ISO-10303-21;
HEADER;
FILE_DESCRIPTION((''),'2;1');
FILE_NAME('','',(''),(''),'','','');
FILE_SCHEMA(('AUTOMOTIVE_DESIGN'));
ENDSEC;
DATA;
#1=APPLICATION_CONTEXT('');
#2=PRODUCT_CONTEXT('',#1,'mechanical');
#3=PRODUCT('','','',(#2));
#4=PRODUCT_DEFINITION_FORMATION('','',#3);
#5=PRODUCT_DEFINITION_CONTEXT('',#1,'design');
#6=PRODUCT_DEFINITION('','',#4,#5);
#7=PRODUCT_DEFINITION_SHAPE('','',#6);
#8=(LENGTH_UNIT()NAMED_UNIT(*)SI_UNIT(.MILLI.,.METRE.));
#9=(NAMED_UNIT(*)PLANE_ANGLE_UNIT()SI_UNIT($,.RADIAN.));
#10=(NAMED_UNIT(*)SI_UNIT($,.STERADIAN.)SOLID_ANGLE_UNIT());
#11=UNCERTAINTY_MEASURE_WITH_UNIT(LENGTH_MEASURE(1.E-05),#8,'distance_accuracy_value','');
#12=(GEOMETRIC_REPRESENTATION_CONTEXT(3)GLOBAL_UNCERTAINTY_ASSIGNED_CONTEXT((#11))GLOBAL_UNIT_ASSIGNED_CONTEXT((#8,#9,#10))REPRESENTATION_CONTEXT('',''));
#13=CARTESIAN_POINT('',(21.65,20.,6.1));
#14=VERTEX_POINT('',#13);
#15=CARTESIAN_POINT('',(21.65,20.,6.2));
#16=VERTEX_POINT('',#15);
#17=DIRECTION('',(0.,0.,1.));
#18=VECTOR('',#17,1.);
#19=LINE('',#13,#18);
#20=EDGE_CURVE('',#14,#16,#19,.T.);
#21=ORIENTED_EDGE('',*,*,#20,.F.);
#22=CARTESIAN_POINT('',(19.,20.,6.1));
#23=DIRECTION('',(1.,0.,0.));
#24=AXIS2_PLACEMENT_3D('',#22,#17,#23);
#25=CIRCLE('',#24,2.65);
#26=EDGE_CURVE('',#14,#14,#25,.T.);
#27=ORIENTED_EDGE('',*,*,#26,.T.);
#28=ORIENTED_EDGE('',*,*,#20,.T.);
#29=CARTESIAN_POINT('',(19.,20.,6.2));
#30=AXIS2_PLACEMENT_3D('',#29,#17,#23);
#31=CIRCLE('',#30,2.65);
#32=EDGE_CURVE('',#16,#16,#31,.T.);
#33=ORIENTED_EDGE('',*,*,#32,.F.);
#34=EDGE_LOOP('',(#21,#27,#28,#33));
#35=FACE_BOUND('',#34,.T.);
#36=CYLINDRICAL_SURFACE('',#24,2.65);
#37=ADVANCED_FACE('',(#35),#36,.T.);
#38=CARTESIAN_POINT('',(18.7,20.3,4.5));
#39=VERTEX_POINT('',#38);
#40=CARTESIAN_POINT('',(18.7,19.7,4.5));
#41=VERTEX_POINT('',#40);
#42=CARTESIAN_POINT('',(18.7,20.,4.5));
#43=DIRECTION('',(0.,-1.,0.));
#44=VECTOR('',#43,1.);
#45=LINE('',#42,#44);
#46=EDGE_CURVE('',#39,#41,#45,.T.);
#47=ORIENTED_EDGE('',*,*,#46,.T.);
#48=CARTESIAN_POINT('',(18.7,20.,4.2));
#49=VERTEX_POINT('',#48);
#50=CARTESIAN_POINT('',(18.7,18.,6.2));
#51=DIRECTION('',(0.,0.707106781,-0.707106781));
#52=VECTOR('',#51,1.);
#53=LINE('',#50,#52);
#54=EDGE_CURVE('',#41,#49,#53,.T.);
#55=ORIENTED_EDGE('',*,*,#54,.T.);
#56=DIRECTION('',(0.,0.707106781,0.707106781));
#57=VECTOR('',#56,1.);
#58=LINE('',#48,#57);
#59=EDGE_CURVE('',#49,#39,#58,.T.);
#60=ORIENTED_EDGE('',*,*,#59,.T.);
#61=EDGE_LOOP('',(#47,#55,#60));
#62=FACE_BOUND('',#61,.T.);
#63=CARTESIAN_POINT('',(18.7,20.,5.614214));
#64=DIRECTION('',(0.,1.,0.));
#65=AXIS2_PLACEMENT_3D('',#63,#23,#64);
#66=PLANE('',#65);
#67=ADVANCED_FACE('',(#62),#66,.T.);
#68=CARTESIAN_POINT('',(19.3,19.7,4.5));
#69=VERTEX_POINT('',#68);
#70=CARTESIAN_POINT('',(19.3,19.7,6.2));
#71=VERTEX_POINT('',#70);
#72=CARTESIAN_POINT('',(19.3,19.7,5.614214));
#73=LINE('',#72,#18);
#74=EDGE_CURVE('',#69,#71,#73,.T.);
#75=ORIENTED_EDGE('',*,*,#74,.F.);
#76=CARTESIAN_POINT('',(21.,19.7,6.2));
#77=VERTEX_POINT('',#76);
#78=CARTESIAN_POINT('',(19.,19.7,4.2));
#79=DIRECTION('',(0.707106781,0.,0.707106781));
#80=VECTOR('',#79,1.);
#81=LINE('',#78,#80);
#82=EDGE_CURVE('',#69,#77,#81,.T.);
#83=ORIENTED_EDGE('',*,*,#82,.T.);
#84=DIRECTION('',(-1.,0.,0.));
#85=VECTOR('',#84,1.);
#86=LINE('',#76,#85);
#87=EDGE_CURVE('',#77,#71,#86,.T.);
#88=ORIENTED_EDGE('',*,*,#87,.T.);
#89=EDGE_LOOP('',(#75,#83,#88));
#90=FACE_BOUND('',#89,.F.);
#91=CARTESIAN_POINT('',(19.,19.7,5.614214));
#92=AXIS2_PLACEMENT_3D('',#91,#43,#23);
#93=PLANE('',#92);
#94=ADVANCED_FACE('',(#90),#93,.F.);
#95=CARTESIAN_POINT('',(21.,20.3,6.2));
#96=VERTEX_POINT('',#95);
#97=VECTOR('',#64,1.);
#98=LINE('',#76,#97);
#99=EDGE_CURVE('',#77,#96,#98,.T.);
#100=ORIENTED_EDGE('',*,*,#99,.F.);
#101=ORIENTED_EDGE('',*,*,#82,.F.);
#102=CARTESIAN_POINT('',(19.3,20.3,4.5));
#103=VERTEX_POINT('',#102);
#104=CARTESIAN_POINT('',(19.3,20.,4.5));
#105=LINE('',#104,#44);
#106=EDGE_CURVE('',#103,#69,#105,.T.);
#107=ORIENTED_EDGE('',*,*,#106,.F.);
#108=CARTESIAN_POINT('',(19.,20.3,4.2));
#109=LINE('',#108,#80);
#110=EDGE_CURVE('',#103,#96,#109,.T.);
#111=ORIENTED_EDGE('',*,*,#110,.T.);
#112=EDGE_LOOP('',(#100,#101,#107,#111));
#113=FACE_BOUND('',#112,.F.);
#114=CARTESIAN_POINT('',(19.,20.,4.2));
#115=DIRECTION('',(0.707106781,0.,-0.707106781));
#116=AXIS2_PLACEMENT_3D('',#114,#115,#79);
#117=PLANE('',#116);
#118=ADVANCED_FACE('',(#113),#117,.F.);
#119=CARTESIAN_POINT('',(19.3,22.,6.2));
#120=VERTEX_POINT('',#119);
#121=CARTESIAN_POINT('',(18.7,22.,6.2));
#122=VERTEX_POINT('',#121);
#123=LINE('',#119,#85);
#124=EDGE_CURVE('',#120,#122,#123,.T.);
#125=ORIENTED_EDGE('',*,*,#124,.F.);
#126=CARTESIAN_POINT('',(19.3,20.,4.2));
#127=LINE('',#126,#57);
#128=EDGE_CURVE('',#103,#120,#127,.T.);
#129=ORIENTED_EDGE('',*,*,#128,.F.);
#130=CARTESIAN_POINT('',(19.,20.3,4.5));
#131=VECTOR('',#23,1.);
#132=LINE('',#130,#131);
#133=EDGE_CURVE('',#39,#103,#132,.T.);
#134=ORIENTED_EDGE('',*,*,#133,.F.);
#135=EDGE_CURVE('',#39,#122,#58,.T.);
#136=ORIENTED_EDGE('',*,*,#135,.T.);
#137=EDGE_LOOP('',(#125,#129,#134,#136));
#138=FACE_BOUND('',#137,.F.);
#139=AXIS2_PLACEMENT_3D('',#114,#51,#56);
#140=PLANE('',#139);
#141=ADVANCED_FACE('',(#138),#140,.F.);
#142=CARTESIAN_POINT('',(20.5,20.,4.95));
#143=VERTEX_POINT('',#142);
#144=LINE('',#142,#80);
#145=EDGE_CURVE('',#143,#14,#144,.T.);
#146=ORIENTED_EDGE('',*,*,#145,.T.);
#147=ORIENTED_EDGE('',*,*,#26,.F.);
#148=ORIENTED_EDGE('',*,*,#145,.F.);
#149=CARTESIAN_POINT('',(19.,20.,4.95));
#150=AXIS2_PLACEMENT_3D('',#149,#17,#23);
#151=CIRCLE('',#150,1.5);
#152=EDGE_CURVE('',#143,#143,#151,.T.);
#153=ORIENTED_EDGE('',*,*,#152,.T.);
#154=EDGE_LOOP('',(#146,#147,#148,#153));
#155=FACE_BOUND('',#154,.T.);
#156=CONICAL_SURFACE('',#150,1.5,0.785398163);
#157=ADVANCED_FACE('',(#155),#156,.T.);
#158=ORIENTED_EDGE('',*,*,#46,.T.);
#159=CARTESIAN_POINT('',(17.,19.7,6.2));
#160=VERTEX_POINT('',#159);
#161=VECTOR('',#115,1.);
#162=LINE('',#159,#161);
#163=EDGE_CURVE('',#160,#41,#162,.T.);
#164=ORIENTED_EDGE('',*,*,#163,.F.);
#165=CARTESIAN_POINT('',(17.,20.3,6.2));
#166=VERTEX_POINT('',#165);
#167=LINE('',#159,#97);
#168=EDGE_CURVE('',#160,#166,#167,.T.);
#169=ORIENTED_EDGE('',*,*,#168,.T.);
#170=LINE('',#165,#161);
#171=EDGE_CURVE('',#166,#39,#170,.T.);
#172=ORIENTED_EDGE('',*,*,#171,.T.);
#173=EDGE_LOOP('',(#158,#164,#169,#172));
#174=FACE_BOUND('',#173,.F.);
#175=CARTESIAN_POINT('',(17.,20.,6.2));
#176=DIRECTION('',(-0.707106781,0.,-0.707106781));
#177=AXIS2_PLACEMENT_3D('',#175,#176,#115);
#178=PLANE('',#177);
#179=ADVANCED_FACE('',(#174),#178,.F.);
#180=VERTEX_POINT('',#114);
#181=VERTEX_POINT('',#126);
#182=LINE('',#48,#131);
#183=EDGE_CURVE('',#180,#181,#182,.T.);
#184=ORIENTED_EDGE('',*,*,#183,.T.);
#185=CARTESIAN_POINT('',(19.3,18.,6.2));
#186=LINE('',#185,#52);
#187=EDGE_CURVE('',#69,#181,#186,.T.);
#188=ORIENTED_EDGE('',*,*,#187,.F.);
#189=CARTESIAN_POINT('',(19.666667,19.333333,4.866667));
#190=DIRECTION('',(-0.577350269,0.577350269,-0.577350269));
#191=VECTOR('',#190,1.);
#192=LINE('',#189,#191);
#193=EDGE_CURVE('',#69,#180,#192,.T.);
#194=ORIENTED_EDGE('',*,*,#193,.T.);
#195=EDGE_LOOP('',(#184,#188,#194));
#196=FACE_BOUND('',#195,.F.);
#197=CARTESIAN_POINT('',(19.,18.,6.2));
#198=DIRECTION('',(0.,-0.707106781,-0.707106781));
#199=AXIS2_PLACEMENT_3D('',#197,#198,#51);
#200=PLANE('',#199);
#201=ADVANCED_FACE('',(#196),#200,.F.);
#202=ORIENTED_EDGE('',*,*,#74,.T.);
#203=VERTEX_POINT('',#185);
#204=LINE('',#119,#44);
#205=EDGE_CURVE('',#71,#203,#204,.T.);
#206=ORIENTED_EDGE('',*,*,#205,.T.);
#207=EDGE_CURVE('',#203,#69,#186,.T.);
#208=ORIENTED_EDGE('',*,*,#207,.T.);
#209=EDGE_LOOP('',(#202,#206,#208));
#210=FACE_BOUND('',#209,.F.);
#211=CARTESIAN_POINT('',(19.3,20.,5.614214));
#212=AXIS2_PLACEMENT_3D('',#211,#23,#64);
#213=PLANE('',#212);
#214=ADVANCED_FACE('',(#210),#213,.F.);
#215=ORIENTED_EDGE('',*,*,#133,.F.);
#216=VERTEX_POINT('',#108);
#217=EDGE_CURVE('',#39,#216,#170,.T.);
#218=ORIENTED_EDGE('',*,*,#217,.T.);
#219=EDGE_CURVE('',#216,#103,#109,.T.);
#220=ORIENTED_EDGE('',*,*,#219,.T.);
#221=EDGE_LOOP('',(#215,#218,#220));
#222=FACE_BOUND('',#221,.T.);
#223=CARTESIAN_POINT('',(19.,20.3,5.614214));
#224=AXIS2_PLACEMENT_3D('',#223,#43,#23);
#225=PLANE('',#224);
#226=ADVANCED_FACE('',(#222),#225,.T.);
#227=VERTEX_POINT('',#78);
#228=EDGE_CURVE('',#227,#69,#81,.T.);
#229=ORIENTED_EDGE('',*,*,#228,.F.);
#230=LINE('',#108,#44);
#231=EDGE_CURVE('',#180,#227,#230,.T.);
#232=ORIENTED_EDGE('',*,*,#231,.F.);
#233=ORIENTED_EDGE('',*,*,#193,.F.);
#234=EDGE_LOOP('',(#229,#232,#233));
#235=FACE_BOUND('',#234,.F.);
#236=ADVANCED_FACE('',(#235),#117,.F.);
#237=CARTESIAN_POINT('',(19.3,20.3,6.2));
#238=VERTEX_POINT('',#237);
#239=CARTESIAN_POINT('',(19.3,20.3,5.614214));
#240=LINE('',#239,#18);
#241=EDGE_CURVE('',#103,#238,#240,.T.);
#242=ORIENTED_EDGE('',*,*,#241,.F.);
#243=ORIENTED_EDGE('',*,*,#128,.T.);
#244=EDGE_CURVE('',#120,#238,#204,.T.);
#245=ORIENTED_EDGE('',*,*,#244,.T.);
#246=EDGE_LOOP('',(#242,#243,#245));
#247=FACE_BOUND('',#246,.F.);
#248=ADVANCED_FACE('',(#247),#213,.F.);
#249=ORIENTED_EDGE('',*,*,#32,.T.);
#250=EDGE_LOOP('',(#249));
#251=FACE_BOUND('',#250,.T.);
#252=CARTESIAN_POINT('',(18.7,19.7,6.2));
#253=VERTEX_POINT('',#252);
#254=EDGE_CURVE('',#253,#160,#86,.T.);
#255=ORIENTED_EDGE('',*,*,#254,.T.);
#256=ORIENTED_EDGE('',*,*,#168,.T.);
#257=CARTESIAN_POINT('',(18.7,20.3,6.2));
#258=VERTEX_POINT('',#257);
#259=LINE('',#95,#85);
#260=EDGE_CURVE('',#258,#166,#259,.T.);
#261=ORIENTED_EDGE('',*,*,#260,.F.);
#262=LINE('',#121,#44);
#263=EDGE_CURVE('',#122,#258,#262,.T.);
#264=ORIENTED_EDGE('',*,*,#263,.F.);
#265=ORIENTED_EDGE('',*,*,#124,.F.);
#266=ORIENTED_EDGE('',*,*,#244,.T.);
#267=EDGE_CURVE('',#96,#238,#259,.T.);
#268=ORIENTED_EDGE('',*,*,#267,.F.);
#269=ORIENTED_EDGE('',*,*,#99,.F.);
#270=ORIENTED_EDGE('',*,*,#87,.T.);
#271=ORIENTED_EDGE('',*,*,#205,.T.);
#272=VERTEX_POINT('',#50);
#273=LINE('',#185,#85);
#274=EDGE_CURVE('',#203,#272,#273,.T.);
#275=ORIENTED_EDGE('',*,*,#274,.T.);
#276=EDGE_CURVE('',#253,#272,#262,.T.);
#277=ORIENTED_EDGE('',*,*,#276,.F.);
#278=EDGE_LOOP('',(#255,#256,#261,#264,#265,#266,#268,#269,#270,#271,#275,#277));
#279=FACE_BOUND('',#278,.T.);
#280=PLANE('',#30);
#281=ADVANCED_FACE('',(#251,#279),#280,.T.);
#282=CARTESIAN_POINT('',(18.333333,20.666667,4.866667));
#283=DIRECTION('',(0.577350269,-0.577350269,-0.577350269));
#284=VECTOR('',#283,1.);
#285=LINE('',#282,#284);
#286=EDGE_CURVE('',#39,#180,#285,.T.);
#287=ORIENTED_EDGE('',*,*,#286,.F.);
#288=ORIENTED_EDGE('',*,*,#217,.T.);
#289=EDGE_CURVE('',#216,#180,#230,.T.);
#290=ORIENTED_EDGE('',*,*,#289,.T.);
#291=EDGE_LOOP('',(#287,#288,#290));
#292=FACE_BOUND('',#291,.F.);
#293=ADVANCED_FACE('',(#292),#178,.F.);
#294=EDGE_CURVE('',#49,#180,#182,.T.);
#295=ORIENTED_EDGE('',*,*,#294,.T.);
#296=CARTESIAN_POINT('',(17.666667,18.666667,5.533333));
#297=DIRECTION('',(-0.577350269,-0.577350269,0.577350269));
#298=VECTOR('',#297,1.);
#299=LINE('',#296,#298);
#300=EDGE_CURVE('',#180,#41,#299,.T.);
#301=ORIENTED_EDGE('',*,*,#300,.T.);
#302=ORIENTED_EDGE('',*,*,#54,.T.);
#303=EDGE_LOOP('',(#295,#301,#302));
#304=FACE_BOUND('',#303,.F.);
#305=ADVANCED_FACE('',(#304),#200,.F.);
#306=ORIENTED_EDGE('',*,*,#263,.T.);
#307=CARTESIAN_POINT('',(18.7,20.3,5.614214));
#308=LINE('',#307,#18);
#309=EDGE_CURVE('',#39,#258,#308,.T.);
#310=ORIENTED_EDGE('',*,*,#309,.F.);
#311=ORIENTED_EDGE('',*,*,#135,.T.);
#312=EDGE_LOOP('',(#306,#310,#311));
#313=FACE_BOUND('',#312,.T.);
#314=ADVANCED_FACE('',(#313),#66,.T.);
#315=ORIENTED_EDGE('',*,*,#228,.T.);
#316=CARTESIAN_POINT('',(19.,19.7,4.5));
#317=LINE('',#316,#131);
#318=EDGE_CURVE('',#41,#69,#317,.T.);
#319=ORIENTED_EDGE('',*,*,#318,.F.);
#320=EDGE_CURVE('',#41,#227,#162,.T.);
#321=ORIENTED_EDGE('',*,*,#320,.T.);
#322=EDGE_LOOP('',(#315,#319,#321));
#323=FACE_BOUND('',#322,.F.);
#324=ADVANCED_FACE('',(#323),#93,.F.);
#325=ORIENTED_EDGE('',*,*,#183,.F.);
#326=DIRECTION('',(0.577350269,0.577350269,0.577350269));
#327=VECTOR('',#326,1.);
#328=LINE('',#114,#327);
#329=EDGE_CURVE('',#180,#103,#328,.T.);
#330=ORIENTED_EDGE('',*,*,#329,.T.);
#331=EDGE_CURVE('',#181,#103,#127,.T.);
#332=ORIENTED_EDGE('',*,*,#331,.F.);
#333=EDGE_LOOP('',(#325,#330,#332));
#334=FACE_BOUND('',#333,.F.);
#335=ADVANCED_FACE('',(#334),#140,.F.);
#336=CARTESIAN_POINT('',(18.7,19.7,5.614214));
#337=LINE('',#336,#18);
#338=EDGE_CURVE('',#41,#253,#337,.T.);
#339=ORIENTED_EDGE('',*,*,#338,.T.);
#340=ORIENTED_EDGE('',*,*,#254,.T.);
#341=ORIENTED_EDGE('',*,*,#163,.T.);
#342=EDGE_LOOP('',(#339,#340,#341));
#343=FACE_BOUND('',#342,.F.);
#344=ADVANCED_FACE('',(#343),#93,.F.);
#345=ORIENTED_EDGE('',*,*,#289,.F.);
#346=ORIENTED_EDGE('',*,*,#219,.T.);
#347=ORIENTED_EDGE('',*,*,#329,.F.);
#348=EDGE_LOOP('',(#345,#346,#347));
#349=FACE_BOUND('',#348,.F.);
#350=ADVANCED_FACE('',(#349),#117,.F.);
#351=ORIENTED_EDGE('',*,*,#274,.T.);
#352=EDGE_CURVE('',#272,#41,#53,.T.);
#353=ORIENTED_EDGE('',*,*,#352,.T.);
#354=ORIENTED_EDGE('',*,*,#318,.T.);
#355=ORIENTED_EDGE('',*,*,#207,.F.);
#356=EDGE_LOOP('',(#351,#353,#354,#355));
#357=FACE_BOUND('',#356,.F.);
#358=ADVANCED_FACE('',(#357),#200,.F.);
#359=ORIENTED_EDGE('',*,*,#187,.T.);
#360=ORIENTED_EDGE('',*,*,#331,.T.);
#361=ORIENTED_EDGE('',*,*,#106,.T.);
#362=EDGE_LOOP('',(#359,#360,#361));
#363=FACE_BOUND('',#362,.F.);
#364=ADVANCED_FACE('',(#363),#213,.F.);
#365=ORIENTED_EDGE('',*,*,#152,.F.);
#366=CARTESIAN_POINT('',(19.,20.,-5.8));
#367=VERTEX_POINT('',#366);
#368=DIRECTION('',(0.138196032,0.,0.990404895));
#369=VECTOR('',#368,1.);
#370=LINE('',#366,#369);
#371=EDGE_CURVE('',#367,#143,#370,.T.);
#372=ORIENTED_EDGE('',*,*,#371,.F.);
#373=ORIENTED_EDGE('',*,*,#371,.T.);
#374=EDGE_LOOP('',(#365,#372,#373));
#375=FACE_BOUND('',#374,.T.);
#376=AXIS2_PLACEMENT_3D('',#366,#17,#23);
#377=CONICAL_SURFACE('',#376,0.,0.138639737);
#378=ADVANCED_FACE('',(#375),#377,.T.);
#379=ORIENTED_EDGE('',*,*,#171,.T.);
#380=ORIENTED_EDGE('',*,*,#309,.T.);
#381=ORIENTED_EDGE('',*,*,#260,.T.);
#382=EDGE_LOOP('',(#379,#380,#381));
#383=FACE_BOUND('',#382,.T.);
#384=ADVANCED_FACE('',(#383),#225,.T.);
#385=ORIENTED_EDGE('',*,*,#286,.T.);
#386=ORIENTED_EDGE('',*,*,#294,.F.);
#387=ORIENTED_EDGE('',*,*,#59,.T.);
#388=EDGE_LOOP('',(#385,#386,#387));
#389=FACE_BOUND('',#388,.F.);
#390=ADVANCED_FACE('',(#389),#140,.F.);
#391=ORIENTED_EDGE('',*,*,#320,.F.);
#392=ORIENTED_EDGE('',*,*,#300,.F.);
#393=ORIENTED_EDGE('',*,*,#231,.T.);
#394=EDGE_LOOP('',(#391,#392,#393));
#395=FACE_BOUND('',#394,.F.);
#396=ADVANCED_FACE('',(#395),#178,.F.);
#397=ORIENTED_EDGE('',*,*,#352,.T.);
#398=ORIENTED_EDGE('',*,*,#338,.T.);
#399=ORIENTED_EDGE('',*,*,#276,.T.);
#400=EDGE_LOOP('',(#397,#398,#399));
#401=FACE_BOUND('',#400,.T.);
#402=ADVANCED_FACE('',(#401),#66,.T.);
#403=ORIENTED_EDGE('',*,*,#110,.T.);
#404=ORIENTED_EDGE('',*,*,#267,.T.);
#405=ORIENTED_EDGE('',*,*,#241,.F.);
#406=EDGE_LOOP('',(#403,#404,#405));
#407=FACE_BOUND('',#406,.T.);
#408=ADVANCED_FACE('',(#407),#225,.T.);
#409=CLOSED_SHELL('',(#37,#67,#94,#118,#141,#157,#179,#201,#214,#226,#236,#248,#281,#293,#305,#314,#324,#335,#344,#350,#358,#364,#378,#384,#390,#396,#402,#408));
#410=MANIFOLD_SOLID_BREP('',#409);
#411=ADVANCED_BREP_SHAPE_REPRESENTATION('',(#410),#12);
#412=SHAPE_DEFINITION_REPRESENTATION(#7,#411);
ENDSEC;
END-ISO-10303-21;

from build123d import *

# Parameters (mm, degrees)
POCKET001_DEPTH    = 0.3
POLARPATTERN_COUNT = 2
POLARPATTERN_ANGLE = 90


with BuildPart() as part:
    # Sketch013 → Revolution (revolve)
    with BuildSketch(Plane.XZ):
        Polygon((0, 0), (0, -12), (1.5, -1.25), (2.65, -0.1), (2.65, 0), align=None)
    revolve(axis=Axis((0, 0, 0), (0, 0, 1)))

    # Sketch014 → Pocket001 (cut, symmetric)
    with BuildSketch(Plane.XZ):
        Polygon((-2, 0), (0, -2), (2, 0), align=None)
    pocket001 = extrude(amount=POCKET001_DEPTH, both=True, mode=Mode.SUBTRACT)

    # PolarPattern: Pocket001 ×2 about axis
    polarpattern_axis = Axis((0, 0, 0), (0, 0, 1))
    for i in range(1, POLARPATTERN_COUNT):
        add(pocket001.rotate(polarpattern_axis, i * POLARPATTERN_ANGLE / (POLARPATTERN_COUNT - 1)), mode=Mode.SUBTRACT)


with BuildPart() as part_1:
    # Body011 placement: moved
    add(part.part.moved(Location((19, 20, 6.2))))


solid = part_1.part
